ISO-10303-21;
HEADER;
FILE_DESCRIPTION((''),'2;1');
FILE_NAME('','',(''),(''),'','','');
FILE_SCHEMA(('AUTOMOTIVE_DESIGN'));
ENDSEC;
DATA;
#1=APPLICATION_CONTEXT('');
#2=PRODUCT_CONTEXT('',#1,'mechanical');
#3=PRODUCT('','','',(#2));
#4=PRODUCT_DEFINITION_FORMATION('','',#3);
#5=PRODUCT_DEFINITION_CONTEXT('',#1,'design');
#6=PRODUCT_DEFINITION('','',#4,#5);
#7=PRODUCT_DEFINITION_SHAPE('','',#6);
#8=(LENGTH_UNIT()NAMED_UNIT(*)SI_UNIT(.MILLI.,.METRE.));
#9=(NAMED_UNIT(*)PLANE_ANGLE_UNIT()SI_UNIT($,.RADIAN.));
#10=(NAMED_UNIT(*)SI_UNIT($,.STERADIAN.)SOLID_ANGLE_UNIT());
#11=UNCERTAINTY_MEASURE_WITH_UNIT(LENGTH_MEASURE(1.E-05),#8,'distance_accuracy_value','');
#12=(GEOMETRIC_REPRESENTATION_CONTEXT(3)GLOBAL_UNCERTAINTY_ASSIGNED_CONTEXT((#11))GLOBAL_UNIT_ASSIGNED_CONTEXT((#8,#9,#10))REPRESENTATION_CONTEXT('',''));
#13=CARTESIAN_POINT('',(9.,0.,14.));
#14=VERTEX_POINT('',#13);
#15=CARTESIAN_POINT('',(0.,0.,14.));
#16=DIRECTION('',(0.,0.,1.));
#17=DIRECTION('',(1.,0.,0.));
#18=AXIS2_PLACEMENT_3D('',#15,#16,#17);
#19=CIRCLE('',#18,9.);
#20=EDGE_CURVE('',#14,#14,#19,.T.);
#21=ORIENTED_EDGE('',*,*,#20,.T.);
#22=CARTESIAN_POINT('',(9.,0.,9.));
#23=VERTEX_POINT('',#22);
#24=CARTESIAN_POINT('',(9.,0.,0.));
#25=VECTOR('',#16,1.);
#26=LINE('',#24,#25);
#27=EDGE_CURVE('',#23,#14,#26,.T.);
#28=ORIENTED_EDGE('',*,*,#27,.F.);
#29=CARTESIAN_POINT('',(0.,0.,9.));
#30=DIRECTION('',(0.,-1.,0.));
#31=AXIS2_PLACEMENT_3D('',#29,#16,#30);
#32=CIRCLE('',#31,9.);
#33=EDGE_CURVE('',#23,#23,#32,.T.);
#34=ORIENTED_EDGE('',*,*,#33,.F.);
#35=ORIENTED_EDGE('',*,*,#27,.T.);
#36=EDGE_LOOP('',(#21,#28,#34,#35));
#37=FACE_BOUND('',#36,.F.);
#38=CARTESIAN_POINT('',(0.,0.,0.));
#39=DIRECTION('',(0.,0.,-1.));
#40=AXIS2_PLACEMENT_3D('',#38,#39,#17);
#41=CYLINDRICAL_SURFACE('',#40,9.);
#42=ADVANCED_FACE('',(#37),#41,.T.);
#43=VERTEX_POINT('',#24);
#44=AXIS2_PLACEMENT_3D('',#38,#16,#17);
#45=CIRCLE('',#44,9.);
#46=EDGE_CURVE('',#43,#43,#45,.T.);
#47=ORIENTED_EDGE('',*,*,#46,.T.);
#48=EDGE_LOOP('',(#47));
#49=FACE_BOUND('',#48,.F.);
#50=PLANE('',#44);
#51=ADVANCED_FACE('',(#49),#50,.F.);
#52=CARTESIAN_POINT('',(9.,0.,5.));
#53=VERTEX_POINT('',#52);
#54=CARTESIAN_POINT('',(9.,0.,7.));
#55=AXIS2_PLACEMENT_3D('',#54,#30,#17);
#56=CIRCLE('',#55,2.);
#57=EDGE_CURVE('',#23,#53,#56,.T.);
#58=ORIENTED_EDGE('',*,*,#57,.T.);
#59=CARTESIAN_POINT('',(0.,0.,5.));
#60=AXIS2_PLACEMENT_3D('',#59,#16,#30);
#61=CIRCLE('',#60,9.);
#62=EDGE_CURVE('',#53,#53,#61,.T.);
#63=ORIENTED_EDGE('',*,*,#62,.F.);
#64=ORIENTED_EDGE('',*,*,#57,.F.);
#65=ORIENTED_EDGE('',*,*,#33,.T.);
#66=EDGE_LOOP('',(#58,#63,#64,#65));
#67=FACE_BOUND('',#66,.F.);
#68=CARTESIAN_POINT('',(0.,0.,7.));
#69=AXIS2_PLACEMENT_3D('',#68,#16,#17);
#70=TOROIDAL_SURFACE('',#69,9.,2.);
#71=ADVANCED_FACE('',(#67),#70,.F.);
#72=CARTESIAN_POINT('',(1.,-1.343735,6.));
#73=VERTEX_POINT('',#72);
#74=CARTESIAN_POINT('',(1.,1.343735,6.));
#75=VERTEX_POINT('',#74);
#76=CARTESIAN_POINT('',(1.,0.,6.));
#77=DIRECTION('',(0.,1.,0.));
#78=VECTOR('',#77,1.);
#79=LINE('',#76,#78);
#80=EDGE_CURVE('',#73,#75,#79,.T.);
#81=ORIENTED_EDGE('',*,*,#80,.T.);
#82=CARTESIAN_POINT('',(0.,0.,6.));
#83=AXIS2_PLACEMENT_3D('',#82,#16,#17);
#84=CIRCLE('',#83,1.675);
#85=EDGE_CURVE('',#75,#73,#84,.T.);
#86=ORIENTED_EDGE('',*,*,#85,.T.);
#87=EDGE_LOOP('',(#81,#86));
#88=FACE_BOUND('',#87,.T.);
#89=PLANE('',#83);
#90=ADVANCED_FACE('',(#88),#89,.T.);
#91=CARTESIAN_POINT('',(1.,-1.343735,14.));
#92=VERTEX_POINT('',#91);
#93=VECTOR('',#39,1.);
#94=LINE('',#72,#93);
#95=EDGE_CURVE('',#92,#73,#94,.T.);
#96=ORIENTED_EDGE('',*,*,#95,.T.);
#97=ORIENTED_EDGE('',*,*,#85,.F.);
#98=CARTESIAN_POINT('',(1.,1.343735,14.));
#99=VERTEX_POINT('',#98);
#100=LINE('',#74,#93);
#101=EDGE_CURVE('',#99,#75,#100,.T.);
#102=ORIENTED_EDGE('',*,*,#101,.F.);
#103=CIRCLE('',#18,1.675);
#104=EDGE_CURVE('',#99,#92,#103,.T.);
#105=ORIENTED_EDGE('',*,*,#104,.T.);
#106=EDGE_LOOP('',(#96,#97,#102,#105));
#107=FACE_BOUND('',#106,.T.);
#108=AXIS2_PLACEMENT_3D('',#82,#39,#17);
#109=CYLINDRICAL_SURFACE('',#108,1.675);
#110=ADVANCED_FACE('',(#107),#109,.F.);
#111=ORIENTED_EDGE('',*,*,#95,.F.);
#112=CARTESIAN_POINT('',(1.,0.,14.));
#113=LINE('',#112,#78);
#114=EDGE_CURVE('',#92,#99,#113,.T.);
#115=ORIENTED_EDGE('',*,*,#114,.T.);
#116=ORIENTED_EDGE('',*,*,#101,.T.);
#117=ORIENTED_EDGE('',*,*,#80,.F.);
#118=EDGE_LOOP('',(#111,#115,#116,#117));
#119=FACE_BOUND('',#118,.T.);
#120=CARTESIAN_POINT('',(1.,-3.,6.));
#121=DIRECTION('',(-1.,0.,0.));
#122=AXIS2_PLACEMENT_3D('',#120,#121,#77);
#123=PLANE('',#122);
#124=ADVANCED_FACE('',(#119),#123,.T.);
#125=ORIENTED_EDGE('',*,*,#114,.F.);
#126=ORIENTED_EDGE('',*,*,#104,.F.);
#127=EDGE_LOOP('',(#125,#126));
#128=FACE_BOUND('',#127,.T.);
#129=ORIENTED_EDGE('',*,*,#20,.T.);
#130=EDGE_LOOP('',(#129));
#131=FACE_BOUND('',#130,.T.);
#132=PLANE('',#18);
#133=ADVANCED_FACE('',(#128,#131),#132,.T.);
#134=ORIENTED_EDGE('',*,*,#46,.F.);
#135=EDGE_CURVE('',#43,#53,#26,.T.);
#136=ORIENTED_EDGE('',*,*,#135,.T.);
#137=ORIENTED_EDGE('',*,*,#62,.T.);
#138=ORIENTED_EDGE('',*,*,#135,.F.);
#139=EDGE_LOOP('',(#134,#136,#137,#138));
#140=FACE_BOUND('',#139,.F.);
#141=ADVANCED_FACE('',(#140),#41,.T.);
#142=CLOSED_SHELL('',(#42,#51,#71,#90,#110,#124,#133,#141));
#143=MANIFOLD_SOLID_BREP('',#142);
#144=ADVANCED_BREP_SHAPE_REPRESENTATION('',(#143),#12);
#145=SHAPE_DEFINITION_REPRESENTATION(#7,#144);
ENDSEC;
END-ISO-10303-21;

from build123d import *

# Parameters (mm, degrees)
BOX_W             = 5
BOX_H             = 6
BOX_DEPTH         = 8
CYLINDER001_R     = 1.675
CYLINDER001_DEPTH = 8
TORUS_R           = 2
CYLINDER_R        = 9
CYLINDER_DEPTH    = 14


with BuildPart() as d:
    # Box → Box (new body)
    with BuildSketch(Plane(origin=(1, -3, 15), x_dir=(1, 0, 0), z_dir=(0, 0, 1))):
        with Locations((2.5, 3)):
            Rectangle(BOX_W, BOX_H)
    extrude(amount=BOX_DEPTH)


with BuildPart() as eje_d:
    # Cylinder001 → Cylinder001 (new body)
    with BuildSketch(Plane.XY.offset(15)):
        Circle(CYLINDER001_R)
    extrude(amount=CYLINDER001_DEPTH)

    # Cut: cut D
    add(d.part, mode=Mode.SUBTRACT)


with BuildPart() as eje_d_1:
    # Cut placement: moved
    add(eje_d.part.moved(Location((0, 0, -9))))


with BuildPart() as anclaje:
    # Torus → Torus (revolve)
    with BuildSketch(Plane(origin=(0, 0, 7), x_dir=(1, 0, 0), z_dir=(0, -1, 0))):
        with Locations((9, 0)):
            Circle(TORUS_R)
    revolve(axis=Axis((0, 0, 7), (0, 0, 1)))


with BuildPart() as rueda_acabada:
    # Cylinder → Cylinder (new body)
    with BuildSketch(Plane.XY):
        Circle(CYLINDER_R)
    extrude(amount=CYLINDER_DEPTH)

    # Cut001: cut anclaje
    add(anclaje.part, mode=Mode.SUBTRACT)

    # Cut002: cut EJE + D
    add(eje_d_1.part, mode=Mode.SUBTRACT)


solid = rueda_acabada.part
